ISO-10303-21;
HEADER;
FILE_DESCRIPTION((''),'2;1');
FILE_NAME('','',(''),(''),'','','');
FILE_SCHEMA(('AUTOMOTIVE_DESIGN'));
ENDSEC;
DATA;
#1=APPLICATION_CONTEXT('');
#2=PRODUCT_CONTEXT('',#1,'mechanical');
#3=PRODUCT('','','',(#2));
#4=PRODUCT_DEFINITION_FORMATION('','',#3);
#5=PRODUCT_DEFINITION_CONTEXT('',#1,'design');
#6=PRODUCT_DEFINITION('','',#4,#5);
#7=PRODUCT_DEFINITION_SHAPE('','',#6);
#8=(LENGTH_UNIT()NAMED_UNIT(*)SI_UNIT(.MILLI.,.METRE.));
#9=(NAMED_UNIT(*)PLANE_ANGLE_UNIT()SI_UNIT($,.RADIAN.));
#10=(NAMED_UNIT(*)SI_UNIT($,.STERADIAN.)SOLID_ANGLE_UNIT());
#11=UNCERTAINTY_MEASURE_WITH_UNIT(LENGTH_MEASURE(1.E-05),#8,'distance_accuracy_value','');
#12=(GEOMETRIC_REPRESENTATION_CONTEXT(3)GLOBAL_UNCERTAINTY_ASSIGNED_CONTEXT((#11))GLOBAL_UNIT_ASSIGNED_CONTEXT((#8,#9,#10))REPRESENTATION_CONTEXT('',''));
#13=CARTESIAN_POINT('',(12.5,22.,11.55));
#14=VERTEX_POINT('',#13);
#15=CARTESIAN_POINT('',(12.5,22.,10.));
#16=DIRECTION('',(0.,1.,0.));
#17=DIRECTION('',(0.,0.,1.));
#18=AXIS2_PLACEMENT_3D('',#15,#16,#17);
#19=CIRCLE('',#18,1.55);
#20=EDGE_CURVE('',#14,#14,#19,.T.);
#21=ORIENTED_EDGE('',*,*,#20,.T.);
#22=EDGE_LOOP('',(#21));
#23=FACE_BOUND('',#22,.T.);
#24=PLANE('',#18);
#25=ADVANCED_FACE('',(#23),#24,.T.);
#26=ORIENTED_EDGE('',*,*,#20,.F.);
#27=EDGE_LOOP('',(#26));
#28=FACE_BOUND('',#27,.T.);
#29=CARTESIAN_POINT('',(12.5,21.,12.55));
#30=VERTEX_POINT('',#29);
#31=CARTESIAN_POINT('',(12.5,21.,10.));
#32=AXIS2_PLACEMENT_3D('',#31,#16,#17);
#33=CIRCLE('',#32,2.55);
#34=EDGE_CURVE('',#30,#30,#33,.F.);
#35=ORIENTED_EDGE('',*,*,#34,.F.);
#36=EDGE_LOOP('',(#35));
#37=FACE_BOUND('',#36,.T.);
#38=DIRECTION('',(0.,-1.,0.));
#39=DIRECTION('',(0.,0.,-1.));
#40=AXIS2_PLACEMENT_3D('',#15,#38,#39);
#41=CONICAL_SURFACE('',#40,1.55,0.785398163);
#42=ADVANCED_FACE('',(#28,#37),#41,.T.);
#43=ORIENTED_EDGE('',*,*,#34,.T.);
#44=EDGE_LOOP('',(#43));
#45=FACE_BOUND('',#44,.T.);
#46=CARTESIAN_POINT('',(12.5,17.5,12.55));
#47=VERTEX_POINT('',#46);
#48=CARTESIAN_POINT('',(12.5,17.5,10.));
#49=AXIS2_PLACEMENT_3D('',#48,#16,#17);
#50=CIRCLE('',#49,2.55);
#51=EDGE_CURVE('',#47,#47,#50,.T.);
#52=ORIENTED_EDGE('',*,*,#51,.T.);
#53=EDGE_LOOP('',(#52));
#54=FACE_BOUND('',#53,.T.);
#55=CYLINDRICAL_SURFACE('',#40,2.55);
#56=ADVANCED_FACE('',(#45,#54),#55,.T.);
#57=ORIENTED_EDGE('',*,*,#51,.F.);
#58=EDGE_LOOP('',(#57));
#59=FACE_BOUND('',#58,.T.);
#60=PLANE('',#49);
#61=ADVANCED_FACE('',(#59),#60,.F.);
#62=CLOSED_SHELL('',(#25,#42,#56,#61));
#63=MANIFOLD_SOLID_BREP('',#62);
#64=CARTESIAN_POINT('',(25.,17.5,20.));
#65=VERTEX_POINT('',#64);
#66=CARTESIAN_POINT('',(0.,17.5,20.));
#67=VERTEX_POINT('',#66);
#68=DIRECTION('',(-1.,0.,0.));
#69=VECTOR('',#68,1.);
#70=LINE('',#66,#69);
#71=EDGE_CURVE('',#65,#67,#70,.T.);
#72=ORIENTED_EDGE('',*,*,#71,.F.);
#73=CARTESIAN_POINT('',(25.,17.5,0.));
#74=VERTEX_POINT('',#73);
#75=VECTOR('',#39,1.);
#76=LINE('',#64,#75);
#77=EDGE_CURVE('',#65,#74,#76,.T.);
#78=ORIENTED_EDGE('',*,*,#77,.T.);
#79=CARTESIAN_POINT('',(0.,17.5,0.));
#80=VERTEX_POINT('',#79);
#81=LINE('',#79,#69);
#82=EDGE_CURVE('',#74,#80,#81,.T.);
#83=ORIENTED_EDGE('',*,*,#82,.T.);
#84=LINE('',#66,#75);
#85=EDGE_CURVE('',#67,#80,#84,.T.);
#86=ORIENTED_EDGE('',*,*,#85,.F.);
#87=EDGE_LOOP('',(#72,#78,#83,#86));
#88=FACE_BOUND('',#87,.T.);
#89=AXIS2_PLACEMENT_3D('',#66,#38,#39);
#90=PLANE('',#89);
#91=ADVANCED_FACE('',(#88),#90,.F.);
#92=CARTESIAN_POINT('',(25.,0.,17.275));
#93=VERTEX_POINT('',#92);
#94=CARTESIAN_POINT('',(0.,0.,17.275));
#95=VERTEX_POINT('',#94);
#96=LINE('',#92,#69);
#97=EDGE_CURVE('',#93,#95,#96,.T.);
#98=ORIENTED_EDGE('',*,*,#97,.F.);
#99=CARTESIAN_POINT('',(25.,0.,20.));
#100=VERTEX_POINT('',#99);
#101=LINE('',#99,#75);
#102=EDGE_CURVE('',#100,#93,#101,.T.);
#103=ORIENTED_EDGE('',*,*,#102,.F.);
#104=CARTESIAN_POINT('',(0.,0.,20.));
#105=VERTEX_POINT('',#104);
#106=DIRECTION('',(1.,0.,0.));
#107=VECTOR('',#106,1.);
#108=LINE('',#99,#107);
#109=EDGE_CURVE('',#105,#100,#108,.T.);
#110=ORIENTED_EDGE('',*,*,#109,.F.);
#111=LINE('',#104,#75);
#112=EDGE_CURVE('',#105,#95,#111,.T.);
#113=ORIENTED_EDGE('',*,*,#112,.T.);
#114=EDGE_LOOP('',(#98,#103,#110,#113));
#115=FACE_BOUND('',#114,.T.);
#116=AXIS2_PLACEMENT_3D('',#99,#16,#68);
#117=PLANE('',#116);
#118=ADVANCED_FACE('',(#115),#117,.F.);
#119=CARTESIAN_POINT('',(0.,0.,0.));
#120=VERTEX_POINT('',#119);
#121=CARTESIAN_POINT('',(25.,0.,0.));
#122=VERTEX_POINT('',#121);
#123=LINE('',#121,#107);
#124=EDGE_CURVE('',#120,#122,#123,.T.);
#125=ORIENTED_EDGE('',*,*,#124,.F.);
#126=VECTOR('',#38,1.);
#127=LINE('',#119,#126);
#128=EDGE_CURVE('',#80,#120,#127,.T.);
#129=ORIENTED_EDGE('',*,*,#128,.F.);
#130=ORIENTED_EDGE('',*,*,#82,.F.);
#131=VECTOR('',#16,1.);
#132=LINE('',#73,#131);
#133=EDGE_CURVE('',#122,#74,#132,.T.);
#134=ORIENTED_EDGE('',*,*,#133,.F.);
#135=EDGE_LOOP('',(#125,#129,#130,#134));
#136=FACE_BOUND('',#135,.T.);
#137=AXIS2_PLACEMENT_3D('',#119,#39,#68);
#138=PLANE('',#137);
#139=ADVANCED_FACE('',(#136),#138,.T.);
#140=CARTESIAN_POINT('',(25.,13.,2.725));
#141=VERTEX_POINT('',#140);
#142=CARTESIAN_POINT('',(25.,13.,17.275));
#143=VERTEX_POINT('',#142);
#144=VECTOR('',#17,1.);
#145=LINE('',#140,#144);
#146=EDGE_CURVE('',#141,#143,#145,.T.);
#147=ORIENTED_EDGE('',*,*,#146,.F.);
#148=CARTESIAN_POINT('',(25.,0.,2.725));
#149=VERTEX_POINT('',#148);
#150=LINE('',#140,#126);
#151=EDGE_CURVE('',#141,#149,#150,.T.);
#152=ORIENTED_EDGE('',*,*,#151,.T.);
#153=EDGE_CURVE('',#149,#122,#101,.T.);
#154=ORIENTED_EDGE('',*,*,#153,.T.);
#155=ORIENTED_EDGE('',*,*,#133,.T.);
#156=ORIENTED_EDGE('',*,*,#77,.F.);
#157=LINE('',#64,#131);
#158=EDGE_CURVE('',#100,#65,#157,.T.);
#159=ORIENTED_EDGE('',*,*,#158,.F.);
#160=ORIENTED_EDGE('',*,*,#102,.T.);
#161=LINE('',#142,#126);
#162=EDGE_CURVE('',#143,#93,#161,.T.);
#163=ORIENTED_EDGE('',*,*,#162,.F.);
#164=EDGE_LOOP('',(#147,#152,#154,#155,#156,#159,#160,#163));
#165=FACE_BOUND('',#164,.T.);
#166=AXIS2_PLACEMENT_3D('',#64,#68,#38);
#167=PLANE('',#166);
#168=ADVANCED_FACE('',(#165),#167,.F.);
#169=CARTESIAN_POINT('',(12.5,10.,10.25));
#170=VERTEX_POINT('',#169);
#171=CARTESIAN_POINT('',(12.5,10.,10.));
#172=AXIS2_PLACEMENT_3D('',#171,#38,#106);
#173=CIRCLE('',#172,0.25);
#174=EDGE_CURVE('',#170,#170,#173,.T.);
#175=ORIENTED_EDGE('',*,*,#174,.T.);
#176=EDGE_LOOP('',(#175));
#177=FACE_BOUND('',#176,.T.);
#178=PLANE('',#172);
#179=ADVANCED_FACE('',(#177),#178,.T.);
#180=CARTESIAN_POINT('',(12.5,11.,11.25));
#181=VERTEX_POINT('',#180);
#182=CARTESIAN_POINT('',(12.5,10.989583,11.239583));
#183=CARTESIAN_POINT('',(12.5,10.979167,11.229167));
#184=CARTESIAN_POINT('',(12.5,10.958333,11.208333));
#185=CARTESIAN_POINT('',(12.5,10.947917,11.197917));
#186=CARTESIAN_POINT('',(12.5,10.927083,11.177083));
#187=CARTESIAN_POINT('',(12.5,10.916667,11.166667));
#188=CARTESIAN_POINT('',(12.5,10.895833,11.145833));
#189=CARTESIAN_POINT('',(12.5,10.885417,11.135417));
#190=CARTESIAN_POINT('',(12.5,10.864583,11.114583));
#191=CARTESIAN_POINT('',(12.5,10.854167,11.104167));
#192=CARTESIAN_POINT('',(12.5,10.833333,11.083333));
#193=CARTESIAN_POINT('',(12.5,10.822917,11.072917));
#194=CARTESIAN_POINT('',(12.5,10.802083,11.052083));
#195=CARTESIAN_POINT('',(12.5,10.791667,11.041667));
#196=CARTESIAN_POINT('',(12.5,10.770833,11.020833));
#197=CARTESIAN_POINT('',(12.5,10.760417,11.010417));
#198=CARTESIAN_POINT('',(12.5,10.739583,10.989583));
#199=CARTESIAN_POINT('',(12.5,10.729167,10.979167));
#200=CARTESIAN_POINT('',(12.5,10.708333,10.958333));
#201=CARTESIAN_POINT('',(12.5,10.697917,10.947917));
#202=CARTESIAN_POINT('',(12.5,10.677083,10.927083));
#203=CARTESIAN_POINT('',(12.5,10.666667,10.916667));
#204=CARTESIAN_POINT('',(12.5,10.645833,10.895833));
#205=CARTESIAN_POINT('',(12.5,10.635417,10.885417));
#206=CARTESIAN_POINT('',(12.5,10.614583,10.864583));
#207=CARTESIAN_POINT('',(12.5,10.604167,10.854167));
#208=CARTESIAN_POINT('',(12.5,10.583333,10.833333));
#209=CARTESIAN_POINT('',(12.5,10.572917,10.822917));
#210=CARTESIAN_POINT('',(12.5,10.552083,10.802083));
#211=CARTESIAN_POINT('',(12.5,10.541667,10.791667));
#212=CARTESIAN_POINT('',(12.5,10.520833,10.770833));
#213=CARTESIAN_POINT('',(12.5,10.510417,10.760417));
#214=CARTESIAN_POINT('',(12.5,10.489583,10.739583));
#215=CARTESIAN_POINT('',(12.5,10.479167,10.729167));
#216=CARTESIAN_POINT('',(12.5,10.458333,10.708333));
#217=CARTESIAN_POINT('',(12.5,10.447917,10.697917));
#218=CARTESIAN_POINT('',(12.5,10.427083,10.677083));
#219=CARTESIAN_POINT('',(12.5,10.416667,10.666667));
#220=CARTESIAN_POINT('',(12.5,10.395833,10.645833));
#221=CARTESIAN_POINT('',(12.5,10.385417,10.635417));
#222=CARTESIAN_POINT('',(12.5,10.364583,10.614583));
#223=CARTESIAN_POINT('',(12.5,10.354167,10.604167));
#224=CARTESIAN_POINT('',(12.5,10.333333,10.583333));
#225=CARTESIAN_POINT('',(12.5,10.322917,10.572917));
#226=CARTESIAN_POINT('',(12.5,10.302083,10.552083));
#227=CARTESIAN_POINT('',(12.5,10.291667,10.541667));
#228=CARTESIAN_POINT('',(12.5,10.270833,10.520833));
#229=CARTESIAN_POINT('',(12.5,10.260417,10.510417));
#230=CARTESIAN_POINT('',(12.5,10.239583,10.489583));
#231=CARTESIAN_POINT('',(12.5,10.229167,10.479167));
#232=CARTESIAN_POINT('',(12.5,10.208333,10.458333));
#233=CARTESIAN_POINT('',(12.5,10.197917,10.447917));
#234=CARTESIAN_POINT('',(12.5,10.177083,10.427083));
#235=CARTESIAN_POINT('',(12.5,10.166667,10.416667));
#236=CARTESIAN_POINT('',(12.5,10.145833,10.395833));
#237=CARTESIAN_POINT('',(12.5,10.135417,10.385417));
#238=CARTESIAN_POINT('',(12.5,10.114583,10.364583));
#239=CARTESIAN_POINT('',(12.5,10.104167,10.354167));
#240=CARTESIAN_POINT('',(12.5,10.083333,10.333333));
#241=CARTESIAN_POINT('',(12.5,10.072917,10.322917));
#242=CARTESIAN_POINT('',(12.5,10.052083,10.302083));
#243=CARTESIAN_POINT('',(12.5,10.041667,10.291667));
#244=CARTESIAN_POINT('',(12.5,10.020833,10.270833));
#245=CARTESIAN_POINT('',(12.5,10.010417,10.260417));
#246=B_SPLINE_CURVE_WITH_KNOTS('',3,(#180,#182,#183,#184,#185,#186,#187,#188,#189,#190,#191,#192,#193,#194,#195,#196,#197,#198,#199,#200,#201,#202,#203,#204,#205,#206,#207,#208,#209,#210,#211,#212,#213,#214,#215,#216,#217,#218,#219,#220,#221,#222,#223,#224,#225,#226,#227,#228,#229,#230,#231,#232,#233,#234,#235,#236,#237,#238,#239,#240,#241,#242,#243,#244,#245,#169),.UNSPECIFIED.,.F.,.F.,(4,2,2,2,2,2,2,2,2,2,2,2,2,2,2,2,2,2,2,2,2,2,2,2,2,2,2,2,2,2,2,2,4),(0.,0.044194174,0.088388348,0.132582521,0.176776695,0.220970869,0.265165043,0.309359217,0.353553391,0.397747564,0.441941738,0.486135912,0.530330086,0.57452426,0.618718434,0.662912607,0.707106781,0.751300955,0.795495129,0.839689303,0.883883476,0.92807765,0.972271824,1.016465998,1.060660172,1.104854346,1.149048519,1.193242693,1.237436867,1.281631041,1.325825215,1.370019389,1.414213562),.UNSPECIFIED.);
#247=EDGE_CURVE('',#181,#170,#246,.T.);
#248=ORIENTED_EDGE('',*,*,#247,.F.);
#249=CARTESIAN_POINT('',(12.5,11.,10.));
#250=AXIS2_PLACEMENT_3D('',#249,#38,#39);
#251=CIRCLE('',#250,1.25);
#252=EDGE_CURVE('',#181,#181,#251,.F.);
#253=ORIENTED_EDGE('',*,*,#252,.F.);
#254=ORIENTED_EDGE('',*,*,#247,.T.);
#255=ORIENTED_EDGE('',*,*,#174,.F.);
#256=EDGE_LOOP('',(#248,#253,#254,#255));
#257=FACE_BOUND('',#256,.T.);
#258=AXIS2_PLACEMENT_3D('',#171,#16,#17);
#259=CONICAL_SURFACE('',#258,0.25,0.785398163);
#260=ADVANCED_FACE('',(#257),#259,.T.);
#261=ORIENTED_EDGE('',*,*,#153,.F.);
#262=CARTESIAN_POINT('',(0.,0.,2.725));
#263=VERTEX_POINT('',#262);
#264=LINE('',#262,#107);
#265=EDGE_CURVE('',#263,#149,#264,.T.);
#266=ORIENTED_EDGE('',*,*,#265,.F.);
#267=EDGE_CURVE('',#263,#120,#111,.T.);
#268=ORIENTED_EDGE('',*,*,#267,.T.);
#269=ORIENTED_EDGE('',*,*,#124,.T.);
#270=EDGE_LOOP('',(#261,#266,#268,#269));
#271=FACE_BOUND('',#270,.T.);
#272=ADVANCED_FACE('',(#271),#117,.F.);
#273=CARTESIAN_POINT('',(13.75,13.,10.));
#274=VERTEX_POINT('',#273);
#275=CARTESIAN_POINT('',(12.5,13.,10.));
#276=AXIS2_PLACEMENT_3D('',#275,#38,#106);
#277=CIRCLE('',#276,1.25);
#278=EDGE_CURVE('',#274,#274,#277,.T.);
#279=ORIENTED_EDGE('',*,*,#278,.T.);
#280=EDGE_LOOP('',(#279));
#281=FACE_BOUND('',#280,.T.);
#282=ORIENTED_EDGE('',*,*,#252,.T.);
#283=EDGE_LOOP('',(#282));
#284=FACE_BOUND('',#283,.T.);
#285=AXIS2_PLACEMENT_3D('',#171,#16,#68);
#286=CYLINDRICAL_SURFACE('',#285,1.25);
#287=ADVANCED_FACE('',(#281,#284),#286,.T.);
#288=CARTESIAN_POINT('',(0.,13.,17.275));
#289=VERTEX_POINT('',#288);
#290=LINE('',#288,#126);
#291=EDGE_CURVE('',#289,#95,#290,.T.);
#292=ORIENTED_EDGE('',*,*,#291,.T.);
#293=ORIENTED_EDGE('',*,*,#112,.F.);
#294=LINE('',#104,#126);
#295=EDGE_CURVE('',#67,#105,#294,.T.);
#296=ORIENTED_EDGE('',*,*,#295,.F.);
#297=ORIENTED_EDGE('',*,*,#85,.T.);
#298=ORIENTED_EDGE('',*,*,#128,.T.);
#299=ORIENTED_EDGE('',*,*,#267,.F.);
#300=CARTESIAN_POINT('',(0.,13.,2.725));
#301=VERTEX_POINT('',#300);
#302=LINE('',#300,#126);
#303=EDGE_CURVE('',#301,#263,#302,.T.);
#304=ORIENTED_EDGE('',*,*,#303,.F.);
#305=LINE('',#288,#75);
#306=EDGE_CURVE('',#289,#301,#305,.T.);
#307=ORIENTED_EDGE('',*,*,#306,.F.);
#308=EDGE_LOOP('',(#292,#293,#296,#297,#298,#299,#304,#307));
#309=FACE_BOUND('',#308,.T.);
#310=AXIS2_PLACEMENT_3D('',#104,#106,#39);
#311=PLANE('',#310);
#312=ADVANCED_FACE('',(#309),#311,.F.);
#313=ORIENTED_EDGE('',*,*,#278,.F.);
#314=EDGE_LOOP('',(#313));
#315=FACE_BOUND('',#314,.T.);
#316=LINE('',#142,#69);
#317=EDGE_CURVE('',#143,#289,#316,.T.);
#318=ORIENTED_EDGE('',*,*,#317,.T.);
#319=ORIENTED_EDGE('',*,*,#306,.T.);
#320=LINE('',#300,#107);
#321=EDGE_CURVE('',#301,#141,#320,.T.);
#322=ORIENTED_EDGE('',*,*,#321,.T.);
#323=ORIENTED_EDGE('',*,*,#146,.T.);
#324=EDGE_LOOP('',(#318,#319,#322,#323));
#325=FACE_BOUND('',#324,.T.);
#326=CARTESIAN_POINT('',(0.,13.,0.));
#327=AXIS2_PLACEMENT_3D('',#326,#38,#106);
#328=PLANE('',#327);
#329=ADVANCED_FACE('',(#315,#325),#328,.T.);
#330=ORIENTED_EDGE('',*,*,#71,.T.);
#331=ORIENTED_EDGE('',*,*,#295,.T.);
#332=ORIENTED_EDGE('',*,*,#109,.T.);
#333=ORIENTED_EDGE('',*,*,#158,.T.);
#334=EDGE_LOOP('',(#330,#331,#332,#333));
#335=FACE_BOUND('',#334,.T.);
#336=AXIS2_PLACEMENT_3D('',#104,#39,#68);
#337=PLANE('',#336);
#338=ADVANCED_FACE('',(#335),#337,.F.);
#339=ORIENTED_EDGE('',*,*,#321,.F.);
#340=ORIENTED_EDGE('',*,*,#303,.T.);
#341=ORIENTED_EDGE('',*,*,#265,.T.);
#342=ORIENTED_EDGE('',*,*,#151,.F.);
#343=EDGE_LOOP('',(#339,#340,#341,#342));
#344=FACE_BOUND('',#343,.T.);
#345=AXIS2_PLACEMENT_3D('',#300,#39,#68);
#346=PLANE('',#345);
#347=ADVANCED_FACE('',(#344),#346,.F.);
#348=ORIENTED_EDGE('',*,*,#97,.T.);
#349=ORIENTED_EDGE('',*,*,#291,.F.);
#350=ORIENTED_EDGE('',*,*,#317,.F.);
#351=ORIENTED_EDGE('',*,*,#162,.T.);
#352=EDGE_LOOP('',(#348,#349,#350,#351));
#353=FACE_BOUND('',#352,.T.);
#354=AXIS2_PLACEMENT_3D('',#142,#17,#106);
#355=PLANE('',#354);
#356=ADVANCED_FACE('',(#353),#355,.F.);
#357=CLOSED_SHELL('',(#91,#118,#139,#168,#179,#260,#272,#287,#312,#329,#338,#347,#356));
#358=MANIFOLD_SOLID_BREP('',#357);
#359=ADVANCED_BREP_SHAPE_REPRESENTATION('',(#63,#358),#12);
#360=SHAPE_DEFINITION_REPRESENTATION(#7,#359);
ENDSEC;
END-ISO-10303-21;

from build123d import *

# Parameters (mm, degrees)
SKETCH1_W           = 25
SKETCH1_H           = 17.5
BOSS_EXTRUDE1_DEPTH = 20
SKETCH2_W           = 25
SKETCH2_H           = 14.55
CUT_EXTRUDE1_DEPTH  = 13
SKETCH4_R           = 2.55
BOSS_EXTRUDE2_DEPTH = 4.5
CHAMFER1_SIZE       = 1
SKETCH5_R           = 1.25
BOSS_EXTRUDE3_DEPTH = 3
CHAMFER2_SIZE       = 1


with BuildPart() as part:
    # Sketch1 → Boss-Extrude1 (new body)
    with BuildSketch(Plane.XY):
        with Locations((12.5, 8.75)):
            Rectangle(SKETCH1_W, SKETCH1_H)
    extrude(amount=BOSS_EXTRUDE1_DEPTH)

    # Sketch2 → Cut-Extrude1 (cut)
    with BuildSketch(Plane.XZ):
        with Locations((12.5, 10)):
            Rectangle(SKETCH2_W, SKETCH2_H)
    extrude(amount=-CUT_EXTRUDE1_DEPTH, mode=Mode.SUBTRACT)

    # Sketch5 → Boss-Extrude3 (add)
    with BuildSketch(Plane(origin=(0, 13, 0), x_dir=(-1, 0, 0), z_dir=(0, -1, 0))):
        with Locations(Location((-12.5, -10, 0), (0, 0, 180))):
            Circle(SKETCH5_R)
    extrude(amount=BOSS_EXTRUDE3_DEPTH)

    # Chamfer2
    chamfer2_edges = [part.edges().sort_by_distance(p)[0] for p in [
        (11.25, 10, 10),
    ]]
    chamfer(chamfer2_edges, length=CHAMFER2_SIZE)


with BuildPart() as body_2:
    # Sketch4 → Boss-Extrude2 (new body)
    with BuildSketch(Plane(origin=(0, 17.5, 0), x_dir=(1, 0, 0), z_dir=(0, 1, 0))):
        with Locations(Location((12.5, -10, 0), (0, 0, 270))):
            Circle(SKETCH4_R)
    extrude(amount=BOSS_EXTRUDE2_DEPTH)

    # Chamfer1
    chamfer1_edges = [body_2.edges().sort_by_distance(p)[0] for p in [
        (12.5, 22, 7.45),
    ]]
    chamfer(chamfer1_edges, length=CHAMFER1_SIZE)


solid = Compound([part.part, body_2.part])
